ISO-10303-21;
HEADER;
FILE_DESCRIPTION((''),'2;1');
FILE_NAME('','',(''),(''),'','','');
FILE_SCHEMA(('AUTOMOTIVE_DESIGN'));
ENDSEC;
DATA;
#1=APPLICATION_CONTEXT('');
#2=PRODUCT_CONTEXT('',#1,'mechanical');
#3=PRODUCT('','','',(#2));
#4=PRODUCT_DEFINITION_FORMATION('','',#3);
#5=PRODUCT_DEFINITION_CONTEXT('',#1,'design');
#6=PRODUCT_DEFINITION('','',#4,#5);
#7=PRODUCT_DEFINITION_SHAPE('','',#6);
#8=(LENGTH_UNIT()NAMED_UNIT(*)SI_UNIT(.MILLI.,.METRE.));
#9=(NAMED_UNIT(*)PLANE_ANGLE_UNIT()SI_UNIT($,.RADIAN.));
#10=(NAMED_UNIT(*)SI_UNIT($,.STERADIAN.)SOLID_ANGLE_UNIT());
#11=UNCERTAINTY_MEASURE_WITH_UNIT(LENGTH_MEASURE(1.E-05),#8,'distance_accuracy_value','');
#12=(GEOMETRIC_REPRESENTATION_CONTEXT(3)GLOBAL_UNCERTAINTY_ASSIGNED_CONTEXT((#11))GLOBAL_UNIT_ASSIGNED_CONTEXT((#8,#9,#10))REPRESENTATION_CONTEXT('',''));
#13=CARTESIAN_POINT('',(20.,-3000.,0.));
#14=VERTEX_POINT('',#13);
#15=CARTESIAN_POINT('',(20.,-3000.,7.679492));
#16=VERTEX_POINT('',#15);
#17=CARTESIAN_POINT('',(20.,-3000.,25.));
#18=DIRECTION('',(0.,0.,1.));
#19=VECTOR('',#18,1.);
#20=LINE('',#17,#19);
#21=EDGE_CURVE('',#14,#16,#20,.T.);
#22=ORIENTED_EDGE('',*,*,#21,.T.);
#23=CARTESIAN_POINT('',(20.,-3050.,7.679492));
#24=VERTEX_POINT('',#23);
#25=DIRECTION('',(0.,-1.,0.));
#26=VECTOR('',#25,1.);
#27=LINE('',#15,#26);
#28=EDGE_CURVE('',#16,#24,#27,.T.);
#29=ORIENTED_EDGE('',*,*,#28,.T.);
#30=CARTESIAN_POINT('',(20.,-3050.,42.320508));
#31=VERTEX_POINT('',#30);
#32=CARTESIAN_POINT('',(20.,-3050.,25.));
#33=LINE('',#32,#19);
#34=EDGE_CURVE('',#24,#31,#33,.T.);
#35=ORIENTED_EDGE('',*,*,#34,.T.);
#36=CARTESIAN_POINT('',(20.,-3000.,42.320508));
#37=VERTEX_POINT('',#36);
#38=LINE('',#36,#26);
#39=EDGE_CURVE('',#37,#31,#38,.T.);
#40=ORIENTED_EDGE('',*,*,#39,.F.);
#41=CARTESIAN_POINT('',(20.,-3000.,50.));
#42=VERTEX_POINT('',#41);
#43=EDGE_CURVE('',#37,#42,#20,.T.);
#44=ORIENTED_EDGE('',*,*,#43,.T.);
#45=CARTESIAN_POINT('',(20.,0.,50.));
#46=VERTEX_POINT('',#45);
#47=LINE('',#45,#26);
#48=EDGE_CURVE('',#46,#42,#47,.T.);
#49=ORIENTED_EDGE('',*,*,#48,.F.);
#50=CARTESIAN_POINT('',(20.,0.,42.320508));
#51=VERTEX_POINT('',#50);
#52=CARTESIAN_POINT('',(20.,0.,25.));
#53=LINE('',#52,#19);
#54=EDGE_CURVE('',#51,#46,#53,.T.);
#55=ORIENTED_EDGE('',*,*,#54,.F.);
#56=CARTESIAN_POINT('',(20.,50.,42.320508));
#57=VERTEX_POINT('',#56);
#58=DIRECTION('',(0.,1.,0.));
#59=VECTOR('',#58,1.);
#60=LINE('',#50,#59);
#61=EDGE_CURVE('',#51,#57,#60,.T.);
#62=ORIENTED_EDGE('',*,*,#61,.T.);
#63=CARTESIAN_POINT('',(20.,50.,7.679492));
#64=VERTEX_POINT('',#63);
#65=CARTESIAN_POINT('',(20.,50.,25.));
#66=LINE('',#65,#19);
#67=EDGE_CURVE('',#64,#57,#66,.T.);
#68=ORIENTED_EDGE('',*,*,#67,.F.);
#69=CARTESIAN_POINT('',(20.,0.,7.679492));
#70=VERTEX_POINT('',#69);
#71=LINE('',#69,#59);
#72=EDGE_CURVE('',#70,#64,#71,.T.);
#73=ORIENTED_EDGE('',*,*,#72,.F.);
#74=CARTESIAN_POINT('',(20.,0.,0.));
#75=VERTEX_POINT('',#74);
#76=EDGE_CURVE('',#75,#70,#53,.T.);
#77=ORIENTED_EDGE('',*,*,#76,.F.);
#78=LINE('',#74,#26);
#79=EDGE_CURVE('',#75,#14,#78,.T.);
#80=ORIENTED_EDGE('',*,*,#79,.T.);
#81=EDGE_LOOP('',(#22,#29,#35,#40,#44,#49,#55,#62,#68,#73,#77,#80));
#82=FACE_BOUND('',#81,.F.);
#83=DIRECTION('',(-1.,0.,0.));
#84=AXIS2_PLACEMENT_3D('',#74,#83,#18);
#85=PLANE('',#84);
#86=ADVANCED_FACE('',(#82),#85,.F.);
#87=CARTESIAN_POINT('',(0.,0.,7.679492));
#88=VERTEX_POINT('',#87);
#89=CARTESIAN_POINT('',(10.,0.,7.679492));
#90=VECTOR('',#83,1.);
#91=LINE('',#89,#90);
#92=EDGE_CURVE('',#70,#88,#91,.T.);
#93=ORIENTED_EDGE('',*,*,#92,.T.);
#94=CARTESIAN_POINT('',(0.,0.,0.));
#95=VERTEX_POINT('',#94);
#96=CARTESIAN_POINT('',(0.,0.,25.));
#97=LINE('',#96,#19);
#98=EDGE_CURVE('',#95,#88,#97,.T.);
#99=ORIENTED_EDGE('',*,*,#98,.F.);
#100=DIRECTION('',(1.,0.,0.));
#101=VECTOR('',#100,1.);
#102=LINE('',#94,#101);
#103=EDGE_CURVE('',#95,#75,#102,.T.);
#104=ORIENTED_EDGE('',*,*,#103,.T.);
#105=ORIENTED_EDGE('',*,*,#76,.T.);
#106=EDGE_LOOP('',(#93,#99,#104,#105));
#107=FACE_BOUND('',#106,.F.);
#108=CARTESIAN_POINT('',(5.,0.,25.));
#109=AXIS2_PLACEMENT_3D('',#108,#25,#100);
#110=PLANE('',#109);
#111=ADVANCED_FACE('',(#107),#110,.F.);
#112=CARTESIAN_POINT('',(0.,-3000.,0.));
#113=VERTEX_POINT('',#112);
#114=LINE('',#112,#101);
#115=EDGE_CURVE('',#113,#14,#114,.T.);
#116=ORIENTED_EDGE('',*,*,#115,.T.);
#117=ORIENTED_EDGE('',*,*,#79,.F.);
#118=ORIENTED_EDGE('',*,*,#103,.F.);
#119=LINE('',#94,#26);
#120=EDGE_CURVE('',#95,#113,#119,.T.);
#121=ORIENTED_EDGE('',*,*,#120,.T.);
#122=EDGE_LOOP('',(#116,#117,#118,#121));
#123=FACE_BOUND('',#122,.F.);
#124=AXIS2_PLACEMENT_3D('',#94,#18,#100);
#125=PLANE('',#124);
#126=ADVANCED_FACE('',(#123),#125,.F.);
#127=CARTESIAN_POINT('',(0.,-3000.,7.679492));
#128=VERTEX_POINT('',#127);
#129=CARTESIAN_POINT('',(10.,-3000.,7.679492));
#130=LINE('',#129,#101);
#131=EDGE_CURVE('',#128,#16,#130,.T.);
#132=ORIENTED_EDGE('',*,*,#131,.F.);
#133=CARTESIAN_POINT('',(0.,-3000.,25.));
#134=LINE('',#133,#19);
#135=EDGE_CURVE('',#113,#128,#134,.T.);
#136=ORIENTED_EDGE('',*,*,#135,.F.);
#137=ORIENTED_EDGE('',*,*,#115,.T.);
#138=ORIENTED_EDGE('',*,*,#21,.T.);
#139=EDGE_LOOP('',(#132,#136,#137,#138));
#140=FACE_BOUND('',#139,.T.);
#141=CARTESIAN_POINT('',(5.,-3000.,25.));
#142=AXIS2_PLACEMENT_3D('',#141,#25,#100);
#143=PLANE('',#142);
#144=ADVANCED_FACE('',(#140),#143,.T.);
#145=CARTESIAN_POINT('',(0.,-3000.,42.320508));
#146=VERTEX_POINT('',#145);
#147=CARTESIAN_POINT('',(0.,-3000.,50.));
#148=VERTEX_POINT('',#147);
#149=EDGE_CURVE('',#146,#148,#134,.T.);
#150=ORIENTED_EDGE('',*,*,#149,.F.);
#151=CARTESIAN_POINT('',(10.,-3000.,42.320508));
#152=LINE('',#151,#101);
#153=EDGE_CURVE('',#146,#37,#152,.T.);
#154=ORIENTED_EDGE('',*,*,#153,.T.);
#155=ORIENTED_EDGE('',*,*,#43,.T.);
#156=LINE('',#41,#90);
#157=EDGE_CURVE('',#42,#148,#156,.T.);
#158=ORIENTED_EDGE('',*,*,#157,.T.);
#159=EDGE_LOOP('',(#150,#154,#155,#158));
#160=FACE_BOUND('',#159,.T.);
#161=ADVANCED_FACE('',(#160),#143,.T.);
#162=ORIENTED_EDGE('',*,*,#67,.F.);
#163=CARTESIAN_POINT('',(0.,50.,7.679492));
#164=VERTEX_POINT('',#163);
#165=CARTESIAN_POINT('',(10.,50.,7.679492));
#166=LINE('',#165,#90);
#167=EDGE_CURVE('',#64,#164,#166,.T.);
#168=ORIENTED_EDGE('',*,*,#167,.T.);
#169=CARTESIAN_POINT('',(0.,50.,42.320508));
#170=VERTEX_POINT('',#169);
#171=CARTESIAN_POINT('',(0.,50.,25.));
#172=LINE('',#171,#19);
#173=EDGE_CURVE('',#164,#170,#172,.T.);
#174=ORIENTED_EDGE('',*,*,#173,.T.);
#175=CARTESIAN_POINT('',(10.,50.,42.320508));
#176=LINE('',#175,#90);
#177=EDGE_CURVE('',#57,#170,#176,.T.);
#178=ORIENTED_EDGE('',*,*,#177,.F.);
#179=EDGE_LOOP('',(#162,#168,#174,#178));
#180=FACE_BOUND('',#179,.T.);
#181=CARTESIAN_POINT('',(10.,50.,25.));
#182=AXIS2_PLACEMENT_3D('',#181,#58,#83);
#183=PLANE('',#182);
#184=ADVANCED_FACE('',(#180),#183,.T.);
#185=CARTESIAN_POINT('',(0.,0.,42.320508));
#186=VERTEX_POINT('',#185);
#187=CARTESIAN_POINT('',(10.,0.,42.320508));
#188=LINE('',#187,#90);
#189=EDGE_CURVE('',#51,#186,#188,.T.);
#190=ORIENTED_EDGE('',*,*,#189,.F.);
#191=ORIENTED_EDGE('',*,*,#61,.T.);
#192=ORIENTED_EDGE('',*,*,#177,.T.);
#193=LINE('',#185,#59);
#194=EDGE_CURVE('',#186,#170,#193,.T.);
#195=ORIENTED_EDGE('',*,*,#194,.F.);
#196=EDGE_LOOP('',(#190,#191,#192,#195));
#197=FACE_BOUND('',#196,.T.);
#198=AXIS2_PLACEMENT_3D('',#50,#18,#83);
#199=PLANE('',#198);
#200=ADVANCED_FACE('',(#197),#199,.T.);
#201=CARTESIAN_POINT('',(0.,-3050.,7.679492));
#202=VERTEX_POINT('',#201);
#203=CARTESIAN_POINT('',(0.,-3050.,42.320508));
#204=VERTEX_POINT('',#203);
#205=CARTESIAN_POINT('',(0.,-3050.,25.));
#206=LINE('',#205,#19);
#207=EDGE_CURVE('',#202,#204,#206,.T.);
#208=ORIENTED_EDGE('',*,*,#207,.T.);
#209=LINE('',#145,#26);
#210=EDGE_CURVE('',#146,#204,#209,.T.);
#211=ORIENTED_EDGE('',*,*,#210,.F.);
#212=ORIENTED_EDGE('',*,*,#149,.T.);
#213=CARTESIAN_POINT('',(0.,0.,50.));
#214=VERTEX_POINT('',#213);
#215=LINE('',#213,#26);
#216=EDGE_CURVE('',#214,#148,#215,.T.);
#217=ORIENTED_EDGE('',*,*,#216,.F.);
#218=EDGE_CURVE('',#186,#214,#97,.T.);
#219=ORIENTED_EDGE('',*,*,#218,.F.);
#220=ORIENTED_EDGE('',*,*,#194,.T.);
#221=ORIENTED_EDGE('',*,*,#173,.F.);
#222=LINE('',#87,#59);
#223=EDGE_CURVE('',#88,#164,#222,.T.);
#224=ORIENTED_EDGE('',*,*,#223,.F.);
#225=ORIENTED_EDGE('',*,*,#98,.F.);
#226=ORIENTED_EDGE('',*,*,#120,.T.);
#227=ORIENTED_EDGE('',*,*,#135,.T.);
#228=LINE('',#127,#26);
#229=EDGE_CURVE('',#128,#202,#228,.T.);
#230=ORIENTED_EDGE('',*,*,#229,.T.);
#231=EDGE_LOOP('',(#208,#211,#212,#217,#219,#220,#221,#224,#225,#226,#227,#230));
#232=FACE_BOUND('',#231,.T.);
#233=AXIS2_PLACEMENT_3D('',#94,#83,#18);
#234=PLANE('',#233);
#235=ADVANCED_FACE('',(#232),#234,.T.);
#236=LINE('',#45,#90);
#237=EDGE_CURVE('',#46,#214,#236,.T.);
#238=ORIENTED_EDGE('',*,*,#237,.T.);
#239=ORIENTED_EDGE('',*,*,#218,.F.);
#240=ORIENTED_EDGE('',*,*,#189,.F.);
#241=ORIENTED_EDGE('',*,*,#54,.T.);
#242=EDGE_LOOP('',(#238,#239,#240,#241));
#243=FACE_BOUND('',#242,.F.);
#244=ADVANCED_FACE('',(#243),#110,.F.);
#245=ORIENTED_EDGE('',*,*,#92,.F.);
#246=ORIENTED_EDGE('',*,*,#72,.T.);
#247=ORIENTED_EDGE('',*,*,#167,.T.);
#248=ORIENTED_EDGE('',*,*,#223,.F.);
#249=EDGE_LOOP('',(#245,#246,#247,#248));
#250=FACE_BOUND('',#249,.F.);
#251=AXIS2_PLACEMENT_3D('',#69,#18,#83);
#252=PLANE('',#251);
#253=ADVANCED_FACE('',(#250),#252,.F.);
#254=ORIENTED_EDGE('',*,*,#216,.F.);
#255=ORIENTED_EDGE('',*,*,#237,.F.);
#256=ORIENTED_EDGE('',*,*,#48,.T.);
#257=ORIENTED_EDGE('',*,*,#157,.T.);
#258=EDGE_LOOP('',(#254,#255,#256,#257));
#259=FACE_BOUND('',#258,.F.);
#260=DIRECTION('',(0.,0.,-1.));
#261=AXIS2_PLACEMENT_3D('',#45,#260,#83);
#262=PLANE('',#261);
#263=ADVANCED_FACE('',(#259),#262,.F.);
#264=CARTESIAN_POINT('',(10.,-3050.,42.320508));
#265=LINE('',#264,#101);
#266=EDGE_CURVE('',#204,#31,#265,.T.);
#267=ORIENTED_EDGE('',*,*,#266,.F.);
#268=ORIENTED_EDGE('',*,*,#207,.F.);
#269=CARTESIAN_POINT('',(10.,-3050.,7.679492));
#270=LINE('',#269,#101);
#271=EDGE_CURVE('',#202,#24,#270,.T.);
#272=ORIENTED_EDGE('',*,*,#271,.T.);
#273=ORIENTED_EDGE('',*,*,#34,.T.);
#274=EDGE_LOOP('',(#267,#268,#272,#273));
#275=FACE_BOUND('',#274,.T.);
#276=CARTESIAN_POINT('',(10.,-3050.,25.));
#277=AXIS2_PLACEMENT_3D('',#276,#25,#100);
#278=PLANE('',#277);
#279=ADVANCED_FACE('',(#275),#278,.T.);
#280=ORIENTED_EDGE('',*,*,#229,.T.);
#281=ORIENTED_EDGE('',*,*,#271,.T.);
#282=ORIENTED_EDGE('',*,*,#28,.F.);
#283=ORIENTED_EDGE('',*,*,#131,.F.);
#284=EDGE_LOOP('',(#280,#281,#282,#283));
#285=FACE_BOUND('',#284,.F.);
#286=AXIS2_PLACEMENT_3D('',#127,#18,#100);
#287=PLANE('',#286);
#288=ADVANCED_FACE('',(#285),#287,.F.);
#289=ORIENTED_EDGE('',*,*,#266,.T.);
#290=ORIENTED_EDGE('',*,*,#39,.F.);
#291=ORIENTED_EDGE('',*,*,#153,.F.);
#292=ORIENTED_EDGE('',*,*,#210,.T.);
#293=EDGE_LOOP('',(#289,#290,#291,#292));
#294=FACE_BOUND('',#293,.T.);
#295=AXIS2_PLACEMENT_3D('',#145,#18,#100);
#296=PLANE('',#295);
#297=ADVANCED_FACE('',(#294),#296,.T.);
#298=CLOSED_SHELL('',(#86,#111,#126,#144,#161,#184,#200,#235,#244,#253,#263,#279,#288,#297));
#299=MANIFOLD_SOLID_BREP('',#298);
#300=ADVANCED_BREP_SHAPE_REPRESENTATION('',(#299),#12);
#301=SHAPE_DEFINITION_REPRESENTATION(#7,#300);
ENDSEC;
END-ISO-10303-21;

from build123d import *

# Parameters (mm, degrees)
F0_W     = 10
F0_H     = 50
F1_DEPTH = 3000
F2_W     = 20
F2_H     = 34.641016
F3_DEPTH = 50
F4_W     = 20
F4_H     = 34.641016
F5_DEPTH = 50


with BuildPart() as f1:
    # F0 (on Front) → F1 (new body)
    with BuildSketch(Plane.XZ):
        with Locations((5, 25)):
            Rectangle(F0_W, F0_H)
        with Locations((15, 25)):
            Rectangle(F0_W, F0_H)
    extrude(amount=F1_DEPTH)

    # F2 (on face) → F3 (join)
    with BuildSketch(Plane.XZ.offset(3000)):
        with Locations((10, 25)):
            Rectangle(F2_W, F2_H)
    extrude(amount=F3_DEPTH)

    # F4 (on face) → F5 (join)
    with BuildSketch(Plane(origin=(0, 0, 0), x_dir=(-1, 0, 0), z_dir=(0, 1, 0))):
        with Locations((-10, 25)):
            Rectangle(F4_W, F4_H)
    extrude(amount=F5_DEPTH)


solid = f1.part
